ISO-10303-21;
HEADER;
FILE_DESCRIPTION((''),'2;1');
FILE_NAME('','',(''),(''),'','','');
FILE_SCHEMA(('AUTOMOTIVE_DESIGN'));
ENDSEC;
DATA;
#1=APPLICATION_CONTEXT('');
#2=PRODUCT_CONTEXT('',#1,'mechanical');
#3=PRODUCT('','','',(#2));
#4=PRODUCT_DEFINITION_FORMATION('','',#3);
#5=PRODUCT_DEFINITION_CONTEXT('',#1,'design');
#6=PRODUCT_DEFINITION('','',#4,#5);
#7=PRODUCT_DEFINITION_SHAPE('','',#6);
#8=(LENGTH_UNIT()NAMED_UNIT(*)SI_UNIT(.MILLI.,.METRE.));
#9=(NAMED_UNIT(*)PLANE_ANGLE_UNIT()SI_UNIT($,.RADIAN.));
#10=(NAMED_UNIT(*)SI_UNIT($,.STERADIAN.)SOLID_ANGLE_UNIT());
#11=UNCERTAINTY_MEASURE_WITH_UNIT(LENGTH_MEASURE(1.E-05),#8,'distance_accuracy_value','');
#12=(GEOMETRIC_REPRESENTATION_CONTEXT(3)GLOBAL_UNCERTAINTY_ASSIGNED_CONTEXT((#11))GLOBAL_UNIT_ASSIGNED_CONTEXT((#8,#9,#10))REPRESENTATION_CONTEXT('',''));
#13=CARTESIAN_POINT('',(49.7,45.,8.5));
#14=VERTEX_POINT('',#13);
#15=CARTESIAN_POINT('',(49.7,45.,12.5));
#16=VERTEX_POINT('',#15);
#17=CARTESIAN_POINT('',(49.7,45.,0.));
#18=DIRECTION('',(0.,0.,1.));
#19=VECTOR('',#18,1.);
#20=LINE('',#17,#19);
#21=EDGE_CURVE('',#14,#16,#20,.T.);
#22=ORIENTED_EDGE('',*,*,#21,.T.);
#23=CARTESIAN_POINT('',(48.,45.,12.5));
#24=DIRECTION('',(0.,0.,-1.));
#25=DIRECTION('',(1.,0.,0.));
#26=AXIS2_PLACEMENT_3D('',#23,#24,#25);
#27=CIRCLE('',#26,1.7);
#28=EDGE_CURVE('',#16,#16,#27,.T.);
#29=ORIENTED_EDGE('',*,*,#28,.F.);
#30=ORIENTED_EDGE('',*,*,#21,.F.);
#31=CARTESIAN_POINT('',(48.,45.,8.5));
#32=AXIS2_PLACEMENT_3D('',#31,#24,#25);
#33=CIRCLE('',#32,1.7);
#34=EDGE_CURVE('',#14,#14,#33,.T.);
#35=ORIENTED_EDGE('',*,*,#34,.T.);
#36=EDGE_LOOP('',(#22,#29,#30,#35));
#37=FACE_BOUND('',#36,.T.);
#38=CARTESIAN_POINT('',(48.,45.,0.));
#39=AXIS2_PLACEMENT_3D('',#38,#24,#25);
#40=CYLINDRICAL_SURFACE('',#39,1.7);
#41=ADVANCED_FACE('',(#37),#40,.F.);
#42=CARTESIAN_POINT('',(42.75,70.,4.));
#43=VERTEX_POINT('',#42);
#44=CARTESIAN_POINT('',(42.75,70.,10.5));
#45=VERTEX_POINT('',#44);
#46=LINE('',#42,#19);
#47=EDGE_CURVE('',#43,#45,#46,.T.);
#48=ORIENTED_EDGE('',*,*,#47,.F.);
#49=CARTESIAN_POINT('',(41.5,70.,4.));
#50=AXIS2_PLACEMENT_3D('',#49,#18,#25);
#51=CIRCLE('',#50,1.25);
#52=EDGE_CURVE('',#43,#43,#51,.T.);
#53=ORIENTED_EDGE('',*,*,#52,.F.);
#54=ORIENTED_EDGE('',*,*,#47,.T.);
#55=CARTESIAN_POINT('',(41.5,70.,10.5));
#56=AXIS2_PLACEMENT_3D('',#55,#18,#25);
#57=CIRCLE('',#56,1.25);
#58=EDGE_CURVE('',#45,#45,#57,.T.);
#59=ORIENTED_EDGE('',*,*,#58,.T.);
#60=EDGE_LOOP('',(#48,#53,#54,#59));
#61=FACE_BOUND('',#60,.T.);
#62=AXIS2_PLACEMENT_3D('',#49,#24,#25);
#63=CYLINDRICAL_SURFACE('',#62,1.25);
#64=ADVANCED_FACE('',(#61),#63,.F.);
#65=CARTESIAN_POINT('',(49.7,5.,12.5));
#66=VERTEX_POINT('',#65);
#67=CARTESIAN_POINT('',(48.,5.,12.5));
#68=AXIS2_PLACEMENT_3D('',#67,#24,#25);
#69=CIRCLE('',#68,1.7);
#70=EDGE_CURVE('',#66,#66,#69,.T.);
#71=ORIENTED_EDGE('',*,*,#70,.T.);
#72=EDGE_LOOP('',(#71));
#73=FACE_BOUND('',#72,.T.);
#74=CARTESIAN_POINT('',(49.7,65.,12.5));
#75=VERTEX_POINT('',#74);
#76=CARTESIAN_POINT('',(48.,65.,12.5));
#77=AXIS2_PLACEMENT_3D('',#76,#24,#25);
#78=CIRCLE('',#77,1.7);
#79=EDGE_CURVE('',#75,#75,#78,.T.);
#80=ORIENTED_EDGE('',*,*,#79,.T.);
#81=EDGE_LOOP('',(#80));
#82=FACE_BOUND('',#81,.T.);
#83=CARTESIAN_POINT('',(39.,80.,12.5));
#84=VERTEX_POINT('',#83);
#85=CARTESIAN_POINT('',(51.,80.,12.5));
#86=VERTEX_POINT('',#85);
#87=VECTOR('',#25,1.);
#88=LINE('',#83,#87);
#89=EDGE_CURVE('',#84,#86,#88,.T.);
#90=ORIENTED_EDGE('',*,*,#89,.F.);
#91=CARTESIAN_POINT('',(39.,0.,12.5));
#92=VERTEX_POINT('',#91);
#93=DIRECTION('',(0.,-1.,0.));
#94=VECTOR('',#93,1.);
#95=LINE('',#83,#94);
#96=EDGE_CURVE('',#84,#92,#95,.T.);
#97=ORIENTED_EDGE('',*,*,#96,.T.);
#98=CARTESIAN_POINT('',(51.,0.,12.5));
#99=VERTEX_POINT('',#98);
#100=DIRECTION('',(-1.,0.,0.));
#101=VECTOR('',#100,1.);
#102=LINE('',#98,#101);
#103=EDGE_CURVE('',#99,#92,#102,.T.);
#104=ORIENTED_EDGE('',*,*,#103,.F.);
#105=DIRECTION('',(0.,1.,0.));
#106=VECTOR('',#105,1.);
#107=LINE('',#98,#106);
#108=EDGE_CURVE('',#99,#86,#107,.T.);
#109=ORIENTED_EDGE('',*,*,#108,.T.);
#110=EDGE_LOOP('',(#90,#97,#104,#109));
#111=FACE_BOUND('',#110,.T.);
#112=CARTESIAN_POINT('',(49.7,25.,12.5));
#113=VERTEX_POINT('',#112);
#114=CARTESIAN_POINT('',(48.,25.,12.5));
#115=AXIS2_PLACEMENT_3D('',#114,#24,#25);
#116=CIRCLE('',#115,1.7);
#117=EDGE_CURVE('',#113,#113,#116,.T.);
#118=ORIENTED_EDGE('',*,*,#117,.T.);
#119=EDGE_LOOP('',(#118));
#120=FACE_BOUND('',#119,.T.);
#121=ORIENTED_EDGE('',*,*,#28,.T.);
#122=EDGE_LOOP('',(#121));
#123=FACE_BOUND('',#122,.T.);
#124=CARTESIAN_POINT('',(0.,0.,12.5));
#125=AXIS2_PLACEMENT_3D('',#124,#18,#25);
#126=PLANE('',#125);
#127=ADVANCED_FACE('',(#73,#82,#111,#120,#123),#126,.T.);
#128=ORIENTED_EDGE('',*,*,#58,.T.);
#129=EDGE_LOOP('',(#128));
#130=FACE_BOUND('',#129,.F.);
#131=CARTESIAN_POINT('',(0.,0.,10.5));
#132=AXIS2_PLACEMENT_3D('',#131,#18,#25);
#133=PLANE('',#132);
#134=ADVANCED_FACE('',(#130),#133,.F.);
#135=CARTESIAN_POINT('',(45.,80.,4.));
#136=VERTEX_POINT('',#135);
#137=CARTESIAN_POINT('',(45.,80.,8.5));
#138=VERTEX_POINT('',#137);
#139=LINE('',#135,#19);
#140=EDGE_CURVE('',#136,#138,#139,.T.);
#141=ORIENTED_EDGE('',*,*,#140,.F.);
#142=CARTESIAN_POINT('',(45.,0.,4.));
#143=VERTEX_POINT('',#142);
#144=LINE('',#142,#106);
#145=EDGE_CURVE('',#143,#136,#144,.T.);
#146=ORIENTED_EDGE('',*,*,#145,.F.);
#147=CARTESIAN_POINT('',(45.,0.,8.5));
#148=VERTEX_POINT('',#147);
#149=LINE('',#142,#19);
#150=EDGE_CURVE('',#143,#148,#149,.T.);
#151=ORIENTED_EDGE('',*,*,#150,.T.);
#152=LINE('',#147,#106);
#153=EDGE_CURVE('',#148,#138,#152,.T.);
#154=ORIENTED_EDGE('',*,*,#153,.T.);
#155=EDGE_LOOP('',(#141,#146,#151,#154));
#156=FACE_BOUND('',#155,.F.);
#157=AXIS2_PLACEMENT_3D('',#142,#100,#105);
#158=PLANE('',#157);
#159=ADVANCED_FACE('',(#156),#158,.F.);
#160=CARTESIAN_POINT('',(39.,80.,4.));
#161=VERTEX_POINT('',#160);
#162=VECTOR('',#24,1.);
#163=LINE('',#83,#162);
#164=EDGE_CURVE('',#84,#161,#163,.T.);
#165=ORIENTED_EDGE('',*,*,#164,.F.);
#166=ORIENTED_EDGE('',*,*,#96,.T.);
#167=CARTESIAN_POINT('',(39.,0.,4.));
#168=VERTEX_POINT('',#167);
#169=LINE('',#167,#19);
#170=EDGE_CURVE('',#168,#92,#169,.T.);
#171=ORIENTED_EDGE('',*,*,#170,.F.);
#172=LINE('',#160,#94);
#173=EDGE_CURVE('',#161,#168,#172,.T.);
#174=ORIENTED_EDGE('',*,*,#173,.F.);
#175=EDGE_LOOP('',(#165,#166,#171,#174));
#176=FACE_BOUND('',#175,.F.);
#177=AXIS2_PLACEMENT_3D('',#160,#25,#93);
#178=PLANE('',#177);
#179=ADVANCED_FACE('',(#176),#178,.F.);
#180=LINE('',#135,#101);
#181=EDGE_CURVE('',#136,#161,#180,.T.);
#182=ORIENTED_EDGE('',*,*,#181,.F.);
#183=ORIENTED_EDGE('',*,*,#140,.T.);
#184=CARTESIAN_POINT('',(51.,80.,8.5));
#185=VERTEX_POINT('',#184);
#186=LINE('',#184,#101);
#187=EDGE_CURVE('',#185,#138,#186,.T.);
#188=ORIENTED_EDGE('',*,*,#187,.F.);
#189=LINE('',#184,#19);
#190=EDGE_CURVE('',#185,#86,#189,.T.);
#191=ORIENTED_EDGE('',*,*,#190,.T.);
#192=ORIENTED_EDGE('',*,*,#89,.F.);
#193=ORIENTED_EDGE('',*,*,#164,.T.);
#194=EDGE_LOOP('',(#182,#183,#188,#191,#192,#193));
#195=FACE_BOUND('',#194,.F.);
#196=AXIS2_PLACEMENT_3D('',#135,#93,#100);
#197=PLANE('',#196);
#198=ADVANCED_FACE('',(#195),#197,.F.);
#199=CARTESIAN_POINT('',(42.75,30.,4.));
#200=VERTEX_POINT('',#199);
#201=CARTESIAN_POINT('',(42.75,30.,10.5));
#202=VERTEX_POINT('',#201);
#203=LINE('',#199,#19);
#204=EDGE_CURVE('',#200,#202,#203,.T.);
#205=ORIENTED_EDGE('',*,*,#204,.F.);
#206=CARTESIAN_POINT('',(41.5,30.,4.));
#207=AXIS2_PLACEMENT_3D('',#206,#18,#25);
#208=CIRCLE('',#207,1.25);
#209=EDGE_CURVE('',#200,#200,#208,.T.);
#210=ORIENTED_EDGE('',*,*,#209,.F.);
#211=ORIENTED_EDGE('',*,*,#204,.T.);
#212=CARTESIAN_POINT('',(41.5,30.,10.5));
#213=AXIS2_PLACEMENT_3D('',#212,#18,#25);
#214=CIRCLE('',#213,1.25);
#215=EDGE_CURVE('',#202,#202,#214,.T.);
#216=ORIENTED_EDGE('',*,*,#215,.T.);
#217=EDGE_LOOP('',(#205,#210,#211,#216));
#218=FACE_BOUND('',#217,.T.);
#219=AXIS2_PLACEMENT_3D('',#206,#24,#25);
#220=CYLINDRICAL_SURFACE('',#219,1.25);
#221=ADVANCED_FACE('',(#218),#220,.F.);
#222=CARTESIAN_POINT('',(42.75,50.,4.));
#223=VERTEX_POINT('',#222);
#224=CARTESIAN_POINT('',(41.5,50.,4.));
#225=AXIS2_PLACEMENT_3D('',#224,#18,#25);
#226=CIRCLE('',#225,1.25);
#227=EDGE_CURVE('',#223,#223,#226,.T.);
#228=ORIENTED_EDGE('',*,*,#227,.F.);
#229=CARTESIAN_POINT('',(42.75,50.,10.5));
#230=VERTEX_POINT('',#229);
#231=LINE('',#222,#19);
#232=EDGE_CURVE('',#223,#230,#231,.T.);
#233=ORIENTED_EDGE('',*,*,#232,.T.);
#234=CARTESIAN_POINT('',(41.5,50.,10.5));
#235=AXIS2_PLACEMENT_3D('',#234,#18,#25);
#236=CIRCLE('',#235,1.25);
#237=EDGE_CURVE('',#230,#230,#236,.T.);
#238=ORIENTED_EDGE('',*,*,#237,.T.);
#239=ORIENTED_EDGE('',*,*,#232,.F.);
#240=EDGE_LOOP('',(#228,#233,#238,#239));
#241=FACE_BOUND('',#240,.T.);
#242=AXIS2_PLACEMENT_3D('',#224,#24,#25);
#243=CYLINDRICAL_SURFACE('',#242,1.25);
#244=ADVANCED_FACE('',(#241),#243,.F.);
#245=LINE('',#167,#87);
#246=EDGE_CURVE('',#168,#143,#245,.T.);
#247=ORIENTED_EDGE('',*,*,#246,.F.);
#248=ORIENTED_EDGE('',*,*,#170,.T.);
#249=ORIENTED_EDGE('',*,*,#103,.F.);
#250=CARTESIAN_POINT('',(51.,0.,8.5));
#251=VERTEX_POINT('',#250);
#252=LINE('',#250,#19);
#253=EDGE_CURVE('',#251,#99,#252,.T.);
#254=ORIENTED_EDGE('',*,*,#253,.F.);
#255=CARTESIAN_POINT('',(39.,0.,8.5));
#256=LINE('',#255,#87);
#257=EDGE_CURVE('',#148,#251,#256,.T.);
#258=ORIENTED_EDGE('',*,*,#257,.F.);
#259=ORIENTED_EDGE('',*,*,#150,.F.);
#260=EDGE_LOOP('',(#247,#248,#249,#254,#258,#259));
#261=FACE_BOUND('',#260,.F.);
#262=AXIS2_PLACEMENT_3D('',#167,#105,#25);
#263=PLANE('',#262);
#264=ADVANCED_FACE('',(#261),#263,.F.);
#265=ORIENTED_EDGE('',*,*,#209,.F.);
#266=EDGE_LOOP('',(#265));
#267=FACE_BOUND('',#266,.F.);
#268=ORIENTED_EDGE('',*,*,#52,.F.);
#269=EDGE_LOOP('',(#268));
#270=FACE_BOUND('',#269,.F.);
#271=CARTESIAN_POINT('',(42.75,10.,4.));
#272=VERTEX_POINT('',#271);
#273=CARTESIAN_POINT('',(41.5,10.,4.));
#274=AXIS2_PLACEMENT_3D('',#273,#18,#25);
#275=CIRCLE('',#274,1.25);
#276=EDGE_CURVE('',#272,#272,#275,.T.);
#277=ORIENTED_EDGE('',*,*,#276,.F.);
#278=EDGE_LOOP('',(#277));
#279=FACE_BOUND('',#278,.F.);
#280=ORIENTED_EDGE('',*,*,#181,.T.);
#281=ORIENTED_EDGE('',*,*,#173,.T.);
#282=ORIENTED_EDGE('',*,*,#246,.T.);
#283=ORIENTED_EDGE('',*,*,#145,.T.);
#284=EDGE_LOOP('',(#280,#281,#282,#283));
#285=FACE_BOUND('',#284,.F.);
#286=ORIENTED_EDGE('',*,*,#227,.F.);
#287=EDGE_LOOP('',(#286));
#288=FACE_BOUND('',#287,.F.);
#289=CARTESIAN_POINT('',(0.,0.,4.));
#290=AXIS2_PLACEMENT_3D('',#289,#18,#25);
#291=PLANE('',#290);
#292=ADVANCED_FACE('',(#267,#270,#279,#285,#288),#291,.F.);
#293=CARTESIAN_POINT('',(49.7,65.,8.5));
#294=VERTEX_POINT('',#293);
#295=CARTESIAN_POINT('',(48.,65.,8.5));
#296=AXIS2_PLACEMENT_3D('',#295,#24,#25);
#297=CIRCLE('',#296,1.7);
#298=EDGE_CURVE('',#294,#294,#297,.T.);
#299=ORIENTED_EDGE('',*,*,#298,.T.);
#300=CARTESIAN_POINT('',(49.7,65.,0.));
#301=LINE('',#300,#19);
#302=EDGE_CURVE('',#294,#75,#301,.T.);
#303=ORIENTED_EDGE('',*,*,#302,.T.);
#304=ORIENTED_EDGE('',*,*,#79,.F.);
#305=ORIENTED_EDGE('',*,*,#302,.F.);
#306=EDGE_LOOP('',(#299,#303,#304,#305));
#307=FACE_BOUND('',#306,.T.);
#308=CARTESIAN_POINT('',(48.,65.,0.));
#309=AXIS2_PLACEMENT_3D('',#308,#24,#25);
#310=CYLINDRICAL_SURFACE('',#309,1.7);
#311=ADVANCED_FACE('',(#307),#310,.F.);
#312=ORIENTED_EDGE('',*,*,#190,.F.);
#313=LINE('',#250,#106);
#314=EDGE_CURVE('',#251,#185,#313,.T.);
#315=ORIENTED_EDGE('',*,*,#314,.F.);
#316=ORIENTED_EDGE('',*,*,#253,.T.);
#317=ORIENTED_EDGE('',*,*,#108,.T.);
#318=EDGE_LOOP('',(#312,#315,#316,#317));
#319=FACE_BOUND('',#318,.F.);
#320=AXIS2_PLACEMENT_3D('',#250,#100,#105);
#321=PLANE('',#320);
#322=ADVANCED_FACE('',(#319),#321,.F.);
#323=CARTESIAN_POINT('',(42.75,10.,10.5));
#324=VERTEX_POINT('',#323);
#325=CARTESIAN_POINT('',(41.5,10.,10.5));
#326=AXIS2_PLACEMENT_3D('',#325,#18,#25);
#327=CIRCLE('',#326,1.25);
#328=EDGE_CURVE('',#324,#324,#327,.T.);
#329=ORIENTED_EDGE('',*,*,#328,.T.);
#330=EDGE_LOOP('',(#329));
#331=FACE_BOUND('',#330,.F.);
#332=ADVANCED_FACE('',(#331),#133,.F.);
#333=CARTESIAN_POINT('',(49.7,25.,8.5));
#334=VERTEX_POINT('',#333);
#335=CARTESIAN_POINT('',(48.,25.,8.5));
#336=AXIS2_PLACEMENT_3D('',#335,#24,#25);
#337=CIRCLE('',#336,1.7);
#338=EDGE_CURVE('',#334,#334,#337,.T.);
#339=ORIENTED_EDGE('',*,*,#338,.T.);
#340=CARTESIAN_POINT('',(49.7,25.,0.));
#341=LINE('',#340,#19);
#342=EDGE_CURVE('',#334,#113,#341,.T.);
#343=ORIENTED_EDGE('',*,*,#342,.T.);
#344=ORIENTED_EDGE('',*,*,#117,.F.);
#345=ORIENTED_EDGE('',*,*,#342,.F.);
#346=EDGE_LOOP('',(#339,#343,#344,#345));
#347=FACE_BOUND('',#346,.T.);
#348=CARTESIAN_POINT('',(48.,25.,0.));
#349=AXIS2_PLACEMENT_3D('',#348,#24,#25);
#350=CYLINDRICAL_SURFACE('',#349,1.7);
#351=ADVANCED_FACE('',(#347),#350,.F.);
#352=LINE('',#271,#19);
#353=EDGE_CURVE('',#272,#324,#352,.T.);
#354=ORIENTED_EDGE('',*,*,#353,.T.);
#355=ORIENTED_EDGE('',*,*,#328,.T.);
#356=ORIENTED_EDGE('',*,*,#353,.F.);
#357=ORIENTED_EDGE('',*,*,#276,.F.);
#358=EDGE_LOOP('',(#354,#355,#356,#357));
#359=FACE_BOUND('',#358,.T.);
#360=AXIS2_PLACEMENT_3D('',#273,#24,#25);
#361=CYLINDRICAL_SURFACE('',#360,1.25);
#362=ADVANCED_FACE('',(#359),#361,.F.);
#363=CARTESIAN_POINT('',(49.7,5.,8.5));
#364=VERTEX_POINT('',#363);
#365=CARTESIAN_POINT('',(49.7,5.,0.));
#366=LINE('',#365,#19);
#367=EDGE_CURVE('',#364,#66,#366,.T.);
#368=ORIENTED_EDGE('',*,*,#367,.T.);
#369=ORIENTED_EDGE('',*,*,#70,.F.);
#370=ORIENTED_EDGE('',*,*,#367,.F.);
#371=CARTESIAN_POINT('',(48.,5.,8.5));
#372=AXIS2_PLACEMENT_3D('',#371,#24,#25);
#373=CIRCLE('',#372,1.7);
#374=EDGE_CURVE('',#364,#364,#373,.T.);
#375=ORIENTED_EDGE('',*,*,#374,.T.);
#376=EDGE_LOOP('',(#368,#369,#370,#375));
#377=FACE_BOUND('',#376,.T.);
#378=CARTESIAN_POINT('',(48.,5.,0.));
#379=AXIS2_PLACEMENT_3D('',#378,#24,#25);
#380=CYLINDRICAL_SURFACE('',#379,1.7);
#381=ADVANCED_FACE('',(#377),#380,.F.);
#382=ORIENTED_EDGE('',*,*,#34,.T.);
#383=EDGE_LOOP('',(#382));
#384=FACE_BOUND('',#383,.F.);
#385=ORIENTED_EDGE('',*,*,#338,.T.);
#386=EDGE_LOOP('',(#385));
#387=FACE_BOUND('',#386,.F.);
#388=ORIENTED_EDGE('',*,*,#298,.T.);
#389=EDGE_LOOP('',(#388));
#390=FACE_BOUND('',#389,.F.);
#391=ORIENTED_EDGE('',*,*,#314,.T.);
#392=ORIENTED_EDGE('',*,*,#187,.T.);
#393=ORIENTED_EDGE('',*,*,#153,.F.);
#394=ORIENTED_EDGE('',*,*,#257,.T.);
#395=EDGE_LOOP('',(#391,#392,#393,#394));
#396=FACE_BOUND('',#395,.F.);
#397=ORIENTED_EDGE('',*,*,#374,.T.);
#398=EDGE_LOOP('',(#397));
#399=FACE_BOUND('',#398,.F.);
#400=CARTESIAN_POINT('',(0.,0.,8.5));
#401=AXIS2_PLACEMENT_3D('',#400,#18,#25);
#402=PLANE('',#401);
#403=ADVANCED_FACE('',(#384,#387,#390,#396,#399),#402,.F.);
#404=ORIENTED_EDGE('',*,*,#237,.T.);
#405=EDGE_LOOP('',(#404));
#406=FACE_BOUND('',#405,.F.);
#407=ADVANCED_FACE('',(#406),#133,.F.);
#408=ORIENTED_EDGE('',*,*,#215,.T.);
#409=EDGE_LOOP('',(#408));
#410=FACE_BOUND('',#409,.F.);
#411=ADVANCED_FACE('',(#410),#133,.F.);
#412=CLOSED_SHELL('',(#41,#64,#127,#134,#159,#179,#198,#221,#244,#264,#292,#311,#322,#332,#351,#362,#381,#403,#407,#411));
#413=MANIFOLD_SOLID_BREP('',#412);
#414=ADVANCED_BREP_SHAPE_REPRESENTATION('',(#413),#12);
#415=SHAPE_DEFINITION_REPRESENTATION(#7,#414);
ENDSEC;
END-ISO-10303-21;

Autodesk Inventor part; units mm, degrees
ref_plane "Right_Connecting_Web_StartPlane" through (0, 0, 4) normal (0, 0, 1) x (1, 0, 0)
sketch "Right_Connecting_Web_Profile" plane through (0, 0, 4) normal (0, 0, 1) x (1, 0, 0)
  line L0 (39, 0) -> (45, 0)
  line L1 (45, 0) -> (45, 80)
  line L2 (45, 80) -> (39, 80)
  line L3 (39, 80) -> (39, 0)
  point P0 (0, 0)
  dimension "d1" = 39
  dimension "d2" = 6
  dimension "d3" = 80
extrude "Right_Connecting_Web" add sketch "Right_Connecting_Web_Profile" along normal blind 8.5
ref_plane "Right_Rod_Contact_Flange_StartPlane" through (0, 0, 8.5) normal (0, 0, 1) x (1, 0, 0)
sketch "Right_Rod_Contact_Flange_Profile" plane through (0, 0, 8.5) normal (0, 0, 1) x (1, 0, 0)
  line L0 (39, 0) -> (51, 0)
  line L1 (51, 0) -> (51, 80)
  line L2 (51, 80) -> (39, 80)
  line L3 (39, 80) -> (39, 0)
  point P0 (0, 0)
  dimension "d7" = 39
  dimension "d8" = 12
  dimension "d9" = 80
extrude "Right_Rod_Contact_Flange" add sketch "Right_Rod_Contact_Flange_Profile" along normal blind 4
sketch "Original_Rod_Clearance_4x_Locations" plane through (0, 0, 0) normal (0, 0, 1) x (1, 0, 0)
  circle A0 centre (48, 5) radius 1.7
  circle A1 centre (48, 25) radius 1.7
  circle A2 centre (48, 45) radius 1.7
  circle A3 centre (48, 65) radius 1.7
  point P0 (0, 0)
  dimension "d12" = 48
  dimension "d13" = 5
  dimension "d14" = 3.4
  dimension "d15" = 48
  dimension "d16" = 25
  dimension "d17" = 3.4
  dimension "d18" = 48
  dimension "d19" = 45
  dimension "d20" = 3.4
  dimension "d21" = 48
  dimension "d22" = 65
  dimension "d23" = 3.4
extrude "Original_Rod_Clearance_4x" cut sketch "Original_Rod_Clearance_4x_Locations" along normal through all
ref_plane "Work Plane3" through (0, 0, 4) normal (0, 0, 1) x (1, 0, 0)
sketch "Deck_Assembly_M3_Locations" plane through (0, 0, 4) normal (0, 0, 1) x (1, 0, 0)
  circle A0 centre (41.5, 10) radius 1.25
  circle A1 centre (41.5, 30) radius 1.25
  circle A2 centre (41.5, 50) radius 1.25
  circle A3 centre (41.5, 70) radius 1.25
  point P0 (0, 0)
  dimension "d27" = 41.5
  dimension "d28" = 10
  dimension "d29" = 2.5
  dimension "d30" = 41.5
  dimension "d31" = 30
  dimension "d32" = 2.5
  dimension "d33" = 41.5
  dimension "d34" = 50
  dimension "d35" = 2.5
  dimension "d36" = 41.5
  dimension "d37" = 70
  dimension "d38" = 2.5
extrude "Four_Blind_M3_Tap_Bores" cut sketch "Deck_Assembly_M3_Locations" along normal blind 6.5
thread "Deck_M3x0_5_6H_1" size "M3x0.5" class "6H" standard "ISO Metric profile" length 6.5
thread "Deck_M3x0_5_6H_2" size "M3x0.5" class "6H" standard "ISO Metric profile" length 6.5
thread "Deck_M3x0_5_6H_3" size "M3x0.5" class "6H" standard "ISO Metric profile" length 6.5
thread "Deck_M3x0_5_6H_4" size "M3x0.5" class "6H" standard "ISO Metric profile" length 6.5
equation "\"d1\" = -RodWidth + OverallWidth - WebThickness"
equation "\"d2\" = WebThickness"
equation "\"d3\" = ContactLength"
equation "\"d4\" = DropHeight"
equation "\"d7\" = -RodWidth + OverallWidth - WebThickness"
equation "\"d8\" = RodWidth + WebThickness"
equation "\"d9\" = ContactLength"
equation "\"d10\" = BaseThickness"
equation "\"d12\" = OverallWidth - 0.5 * RodWidth"
equation "\"d13\" = RodHoleStart + 0 * RodScrewPitch"
equation "\"d14\" = RodClearanceDiameter"
equation "\"d15\" = OverallWidth - 0.5 * RodWidth"
equation "\"d16\" = RodHoleStart + RodScrewPitch"
equation "\"d17\" = RodClearanceDiameter"
equation "\"d18\" = OverallWidth - 0.5 * RodWidth"
equation "\"d19\" = RodHoleStart + 2 * RodScrewPitch"
equation "\"d20\" = RodClearanceDiameter"
equation "\"d21\" = OverallWidth - 0.5 * RodWidth"
equation "\"d22\" = RodHoleStart + 3 * RodScrewPitch"
equation "\"d23\" = RodClearanceDiameter"
equation "\"d27\" = OverallWidth - JoinLeftX"
equation "\"d28\" = JoinFirstY + 0 * JoinPitch"
equation "\"d29\" = TapDrillDiameter"
equation "\"d30\" = OverallWidth - JoinLeftX"
equation "\"d31\" = JoinFirstY + JoinPitch"
equation "\"d32\" = TapDrillDiameter"
equation "\"d33\" = OverallWidth - JoinLeftX"
equation "\"d34\" = JoinFirstY + 2 * JoinPitch"
equation "\"d35\" = TapDrillDiameter"
equation "\"d36\" = OverallWidth - JoinLeftX"
equation "\"d37\" = JoinFirstY + 3 * JoinPitch"
equation "\"d38\" = TapDrillDiameter"
equation "\"d39\" = JoinThreadDepth"
equation "\"d41\" = JoinThreadDepth"
equation "\"d43\" = JoinThreadDepth"
equation "\"d45\" = JoinThreadDepth"
equation "\"d47\" = JoinThreadDepth"
equation "\"OverallWidth\" = 51"
equation "\"RodWidth\" = 6"
equation "\"ContactLength\" = 80"
equation "\"BaseThickness\" = 4"
equation "\"DropHeight\" = 8.5"
equation "\"WebThickness\" = 6"
equation "\"FingerStartX\" = 19.93338"
equation "\"FingerWidth\" = 13.5"
equation "\"FingerThickness\" = 6"
equation "\"FingerEndInset\" = 4"
equation "\"RodClearanceDiameter\" = 3.4"
equation "\"ClampFirstY\" = 41.82802"
equation "\"ClampPitch\" = 16"
equation "\"ClampHeight\" = BaseThickness + 0.5 * FingerThickness"
equation "\"TapDrillDiameter\" = 2.5"
equation "\"TapDepth\" = 6"
equation "\"RodHoleStart\" = 5"
equation "\"RodScrewPitch\" = 20"
equation "\"JoinLeftX\" = 9.5"
equation "\"JoinFirstY\" = 10"
equation "\"JoinPitch\" = 20"
equation "\"JoinThreadDepth\" = 6.5"
equation "\"JoinCountersinkDiameter\" = 6.2"
equation "\"d0\" = BaseThickness"
equation "\"d6\" = DropHeight"
equation "\"d26\" = BaseThickness"
properties part number "Right_Rod_Support"
